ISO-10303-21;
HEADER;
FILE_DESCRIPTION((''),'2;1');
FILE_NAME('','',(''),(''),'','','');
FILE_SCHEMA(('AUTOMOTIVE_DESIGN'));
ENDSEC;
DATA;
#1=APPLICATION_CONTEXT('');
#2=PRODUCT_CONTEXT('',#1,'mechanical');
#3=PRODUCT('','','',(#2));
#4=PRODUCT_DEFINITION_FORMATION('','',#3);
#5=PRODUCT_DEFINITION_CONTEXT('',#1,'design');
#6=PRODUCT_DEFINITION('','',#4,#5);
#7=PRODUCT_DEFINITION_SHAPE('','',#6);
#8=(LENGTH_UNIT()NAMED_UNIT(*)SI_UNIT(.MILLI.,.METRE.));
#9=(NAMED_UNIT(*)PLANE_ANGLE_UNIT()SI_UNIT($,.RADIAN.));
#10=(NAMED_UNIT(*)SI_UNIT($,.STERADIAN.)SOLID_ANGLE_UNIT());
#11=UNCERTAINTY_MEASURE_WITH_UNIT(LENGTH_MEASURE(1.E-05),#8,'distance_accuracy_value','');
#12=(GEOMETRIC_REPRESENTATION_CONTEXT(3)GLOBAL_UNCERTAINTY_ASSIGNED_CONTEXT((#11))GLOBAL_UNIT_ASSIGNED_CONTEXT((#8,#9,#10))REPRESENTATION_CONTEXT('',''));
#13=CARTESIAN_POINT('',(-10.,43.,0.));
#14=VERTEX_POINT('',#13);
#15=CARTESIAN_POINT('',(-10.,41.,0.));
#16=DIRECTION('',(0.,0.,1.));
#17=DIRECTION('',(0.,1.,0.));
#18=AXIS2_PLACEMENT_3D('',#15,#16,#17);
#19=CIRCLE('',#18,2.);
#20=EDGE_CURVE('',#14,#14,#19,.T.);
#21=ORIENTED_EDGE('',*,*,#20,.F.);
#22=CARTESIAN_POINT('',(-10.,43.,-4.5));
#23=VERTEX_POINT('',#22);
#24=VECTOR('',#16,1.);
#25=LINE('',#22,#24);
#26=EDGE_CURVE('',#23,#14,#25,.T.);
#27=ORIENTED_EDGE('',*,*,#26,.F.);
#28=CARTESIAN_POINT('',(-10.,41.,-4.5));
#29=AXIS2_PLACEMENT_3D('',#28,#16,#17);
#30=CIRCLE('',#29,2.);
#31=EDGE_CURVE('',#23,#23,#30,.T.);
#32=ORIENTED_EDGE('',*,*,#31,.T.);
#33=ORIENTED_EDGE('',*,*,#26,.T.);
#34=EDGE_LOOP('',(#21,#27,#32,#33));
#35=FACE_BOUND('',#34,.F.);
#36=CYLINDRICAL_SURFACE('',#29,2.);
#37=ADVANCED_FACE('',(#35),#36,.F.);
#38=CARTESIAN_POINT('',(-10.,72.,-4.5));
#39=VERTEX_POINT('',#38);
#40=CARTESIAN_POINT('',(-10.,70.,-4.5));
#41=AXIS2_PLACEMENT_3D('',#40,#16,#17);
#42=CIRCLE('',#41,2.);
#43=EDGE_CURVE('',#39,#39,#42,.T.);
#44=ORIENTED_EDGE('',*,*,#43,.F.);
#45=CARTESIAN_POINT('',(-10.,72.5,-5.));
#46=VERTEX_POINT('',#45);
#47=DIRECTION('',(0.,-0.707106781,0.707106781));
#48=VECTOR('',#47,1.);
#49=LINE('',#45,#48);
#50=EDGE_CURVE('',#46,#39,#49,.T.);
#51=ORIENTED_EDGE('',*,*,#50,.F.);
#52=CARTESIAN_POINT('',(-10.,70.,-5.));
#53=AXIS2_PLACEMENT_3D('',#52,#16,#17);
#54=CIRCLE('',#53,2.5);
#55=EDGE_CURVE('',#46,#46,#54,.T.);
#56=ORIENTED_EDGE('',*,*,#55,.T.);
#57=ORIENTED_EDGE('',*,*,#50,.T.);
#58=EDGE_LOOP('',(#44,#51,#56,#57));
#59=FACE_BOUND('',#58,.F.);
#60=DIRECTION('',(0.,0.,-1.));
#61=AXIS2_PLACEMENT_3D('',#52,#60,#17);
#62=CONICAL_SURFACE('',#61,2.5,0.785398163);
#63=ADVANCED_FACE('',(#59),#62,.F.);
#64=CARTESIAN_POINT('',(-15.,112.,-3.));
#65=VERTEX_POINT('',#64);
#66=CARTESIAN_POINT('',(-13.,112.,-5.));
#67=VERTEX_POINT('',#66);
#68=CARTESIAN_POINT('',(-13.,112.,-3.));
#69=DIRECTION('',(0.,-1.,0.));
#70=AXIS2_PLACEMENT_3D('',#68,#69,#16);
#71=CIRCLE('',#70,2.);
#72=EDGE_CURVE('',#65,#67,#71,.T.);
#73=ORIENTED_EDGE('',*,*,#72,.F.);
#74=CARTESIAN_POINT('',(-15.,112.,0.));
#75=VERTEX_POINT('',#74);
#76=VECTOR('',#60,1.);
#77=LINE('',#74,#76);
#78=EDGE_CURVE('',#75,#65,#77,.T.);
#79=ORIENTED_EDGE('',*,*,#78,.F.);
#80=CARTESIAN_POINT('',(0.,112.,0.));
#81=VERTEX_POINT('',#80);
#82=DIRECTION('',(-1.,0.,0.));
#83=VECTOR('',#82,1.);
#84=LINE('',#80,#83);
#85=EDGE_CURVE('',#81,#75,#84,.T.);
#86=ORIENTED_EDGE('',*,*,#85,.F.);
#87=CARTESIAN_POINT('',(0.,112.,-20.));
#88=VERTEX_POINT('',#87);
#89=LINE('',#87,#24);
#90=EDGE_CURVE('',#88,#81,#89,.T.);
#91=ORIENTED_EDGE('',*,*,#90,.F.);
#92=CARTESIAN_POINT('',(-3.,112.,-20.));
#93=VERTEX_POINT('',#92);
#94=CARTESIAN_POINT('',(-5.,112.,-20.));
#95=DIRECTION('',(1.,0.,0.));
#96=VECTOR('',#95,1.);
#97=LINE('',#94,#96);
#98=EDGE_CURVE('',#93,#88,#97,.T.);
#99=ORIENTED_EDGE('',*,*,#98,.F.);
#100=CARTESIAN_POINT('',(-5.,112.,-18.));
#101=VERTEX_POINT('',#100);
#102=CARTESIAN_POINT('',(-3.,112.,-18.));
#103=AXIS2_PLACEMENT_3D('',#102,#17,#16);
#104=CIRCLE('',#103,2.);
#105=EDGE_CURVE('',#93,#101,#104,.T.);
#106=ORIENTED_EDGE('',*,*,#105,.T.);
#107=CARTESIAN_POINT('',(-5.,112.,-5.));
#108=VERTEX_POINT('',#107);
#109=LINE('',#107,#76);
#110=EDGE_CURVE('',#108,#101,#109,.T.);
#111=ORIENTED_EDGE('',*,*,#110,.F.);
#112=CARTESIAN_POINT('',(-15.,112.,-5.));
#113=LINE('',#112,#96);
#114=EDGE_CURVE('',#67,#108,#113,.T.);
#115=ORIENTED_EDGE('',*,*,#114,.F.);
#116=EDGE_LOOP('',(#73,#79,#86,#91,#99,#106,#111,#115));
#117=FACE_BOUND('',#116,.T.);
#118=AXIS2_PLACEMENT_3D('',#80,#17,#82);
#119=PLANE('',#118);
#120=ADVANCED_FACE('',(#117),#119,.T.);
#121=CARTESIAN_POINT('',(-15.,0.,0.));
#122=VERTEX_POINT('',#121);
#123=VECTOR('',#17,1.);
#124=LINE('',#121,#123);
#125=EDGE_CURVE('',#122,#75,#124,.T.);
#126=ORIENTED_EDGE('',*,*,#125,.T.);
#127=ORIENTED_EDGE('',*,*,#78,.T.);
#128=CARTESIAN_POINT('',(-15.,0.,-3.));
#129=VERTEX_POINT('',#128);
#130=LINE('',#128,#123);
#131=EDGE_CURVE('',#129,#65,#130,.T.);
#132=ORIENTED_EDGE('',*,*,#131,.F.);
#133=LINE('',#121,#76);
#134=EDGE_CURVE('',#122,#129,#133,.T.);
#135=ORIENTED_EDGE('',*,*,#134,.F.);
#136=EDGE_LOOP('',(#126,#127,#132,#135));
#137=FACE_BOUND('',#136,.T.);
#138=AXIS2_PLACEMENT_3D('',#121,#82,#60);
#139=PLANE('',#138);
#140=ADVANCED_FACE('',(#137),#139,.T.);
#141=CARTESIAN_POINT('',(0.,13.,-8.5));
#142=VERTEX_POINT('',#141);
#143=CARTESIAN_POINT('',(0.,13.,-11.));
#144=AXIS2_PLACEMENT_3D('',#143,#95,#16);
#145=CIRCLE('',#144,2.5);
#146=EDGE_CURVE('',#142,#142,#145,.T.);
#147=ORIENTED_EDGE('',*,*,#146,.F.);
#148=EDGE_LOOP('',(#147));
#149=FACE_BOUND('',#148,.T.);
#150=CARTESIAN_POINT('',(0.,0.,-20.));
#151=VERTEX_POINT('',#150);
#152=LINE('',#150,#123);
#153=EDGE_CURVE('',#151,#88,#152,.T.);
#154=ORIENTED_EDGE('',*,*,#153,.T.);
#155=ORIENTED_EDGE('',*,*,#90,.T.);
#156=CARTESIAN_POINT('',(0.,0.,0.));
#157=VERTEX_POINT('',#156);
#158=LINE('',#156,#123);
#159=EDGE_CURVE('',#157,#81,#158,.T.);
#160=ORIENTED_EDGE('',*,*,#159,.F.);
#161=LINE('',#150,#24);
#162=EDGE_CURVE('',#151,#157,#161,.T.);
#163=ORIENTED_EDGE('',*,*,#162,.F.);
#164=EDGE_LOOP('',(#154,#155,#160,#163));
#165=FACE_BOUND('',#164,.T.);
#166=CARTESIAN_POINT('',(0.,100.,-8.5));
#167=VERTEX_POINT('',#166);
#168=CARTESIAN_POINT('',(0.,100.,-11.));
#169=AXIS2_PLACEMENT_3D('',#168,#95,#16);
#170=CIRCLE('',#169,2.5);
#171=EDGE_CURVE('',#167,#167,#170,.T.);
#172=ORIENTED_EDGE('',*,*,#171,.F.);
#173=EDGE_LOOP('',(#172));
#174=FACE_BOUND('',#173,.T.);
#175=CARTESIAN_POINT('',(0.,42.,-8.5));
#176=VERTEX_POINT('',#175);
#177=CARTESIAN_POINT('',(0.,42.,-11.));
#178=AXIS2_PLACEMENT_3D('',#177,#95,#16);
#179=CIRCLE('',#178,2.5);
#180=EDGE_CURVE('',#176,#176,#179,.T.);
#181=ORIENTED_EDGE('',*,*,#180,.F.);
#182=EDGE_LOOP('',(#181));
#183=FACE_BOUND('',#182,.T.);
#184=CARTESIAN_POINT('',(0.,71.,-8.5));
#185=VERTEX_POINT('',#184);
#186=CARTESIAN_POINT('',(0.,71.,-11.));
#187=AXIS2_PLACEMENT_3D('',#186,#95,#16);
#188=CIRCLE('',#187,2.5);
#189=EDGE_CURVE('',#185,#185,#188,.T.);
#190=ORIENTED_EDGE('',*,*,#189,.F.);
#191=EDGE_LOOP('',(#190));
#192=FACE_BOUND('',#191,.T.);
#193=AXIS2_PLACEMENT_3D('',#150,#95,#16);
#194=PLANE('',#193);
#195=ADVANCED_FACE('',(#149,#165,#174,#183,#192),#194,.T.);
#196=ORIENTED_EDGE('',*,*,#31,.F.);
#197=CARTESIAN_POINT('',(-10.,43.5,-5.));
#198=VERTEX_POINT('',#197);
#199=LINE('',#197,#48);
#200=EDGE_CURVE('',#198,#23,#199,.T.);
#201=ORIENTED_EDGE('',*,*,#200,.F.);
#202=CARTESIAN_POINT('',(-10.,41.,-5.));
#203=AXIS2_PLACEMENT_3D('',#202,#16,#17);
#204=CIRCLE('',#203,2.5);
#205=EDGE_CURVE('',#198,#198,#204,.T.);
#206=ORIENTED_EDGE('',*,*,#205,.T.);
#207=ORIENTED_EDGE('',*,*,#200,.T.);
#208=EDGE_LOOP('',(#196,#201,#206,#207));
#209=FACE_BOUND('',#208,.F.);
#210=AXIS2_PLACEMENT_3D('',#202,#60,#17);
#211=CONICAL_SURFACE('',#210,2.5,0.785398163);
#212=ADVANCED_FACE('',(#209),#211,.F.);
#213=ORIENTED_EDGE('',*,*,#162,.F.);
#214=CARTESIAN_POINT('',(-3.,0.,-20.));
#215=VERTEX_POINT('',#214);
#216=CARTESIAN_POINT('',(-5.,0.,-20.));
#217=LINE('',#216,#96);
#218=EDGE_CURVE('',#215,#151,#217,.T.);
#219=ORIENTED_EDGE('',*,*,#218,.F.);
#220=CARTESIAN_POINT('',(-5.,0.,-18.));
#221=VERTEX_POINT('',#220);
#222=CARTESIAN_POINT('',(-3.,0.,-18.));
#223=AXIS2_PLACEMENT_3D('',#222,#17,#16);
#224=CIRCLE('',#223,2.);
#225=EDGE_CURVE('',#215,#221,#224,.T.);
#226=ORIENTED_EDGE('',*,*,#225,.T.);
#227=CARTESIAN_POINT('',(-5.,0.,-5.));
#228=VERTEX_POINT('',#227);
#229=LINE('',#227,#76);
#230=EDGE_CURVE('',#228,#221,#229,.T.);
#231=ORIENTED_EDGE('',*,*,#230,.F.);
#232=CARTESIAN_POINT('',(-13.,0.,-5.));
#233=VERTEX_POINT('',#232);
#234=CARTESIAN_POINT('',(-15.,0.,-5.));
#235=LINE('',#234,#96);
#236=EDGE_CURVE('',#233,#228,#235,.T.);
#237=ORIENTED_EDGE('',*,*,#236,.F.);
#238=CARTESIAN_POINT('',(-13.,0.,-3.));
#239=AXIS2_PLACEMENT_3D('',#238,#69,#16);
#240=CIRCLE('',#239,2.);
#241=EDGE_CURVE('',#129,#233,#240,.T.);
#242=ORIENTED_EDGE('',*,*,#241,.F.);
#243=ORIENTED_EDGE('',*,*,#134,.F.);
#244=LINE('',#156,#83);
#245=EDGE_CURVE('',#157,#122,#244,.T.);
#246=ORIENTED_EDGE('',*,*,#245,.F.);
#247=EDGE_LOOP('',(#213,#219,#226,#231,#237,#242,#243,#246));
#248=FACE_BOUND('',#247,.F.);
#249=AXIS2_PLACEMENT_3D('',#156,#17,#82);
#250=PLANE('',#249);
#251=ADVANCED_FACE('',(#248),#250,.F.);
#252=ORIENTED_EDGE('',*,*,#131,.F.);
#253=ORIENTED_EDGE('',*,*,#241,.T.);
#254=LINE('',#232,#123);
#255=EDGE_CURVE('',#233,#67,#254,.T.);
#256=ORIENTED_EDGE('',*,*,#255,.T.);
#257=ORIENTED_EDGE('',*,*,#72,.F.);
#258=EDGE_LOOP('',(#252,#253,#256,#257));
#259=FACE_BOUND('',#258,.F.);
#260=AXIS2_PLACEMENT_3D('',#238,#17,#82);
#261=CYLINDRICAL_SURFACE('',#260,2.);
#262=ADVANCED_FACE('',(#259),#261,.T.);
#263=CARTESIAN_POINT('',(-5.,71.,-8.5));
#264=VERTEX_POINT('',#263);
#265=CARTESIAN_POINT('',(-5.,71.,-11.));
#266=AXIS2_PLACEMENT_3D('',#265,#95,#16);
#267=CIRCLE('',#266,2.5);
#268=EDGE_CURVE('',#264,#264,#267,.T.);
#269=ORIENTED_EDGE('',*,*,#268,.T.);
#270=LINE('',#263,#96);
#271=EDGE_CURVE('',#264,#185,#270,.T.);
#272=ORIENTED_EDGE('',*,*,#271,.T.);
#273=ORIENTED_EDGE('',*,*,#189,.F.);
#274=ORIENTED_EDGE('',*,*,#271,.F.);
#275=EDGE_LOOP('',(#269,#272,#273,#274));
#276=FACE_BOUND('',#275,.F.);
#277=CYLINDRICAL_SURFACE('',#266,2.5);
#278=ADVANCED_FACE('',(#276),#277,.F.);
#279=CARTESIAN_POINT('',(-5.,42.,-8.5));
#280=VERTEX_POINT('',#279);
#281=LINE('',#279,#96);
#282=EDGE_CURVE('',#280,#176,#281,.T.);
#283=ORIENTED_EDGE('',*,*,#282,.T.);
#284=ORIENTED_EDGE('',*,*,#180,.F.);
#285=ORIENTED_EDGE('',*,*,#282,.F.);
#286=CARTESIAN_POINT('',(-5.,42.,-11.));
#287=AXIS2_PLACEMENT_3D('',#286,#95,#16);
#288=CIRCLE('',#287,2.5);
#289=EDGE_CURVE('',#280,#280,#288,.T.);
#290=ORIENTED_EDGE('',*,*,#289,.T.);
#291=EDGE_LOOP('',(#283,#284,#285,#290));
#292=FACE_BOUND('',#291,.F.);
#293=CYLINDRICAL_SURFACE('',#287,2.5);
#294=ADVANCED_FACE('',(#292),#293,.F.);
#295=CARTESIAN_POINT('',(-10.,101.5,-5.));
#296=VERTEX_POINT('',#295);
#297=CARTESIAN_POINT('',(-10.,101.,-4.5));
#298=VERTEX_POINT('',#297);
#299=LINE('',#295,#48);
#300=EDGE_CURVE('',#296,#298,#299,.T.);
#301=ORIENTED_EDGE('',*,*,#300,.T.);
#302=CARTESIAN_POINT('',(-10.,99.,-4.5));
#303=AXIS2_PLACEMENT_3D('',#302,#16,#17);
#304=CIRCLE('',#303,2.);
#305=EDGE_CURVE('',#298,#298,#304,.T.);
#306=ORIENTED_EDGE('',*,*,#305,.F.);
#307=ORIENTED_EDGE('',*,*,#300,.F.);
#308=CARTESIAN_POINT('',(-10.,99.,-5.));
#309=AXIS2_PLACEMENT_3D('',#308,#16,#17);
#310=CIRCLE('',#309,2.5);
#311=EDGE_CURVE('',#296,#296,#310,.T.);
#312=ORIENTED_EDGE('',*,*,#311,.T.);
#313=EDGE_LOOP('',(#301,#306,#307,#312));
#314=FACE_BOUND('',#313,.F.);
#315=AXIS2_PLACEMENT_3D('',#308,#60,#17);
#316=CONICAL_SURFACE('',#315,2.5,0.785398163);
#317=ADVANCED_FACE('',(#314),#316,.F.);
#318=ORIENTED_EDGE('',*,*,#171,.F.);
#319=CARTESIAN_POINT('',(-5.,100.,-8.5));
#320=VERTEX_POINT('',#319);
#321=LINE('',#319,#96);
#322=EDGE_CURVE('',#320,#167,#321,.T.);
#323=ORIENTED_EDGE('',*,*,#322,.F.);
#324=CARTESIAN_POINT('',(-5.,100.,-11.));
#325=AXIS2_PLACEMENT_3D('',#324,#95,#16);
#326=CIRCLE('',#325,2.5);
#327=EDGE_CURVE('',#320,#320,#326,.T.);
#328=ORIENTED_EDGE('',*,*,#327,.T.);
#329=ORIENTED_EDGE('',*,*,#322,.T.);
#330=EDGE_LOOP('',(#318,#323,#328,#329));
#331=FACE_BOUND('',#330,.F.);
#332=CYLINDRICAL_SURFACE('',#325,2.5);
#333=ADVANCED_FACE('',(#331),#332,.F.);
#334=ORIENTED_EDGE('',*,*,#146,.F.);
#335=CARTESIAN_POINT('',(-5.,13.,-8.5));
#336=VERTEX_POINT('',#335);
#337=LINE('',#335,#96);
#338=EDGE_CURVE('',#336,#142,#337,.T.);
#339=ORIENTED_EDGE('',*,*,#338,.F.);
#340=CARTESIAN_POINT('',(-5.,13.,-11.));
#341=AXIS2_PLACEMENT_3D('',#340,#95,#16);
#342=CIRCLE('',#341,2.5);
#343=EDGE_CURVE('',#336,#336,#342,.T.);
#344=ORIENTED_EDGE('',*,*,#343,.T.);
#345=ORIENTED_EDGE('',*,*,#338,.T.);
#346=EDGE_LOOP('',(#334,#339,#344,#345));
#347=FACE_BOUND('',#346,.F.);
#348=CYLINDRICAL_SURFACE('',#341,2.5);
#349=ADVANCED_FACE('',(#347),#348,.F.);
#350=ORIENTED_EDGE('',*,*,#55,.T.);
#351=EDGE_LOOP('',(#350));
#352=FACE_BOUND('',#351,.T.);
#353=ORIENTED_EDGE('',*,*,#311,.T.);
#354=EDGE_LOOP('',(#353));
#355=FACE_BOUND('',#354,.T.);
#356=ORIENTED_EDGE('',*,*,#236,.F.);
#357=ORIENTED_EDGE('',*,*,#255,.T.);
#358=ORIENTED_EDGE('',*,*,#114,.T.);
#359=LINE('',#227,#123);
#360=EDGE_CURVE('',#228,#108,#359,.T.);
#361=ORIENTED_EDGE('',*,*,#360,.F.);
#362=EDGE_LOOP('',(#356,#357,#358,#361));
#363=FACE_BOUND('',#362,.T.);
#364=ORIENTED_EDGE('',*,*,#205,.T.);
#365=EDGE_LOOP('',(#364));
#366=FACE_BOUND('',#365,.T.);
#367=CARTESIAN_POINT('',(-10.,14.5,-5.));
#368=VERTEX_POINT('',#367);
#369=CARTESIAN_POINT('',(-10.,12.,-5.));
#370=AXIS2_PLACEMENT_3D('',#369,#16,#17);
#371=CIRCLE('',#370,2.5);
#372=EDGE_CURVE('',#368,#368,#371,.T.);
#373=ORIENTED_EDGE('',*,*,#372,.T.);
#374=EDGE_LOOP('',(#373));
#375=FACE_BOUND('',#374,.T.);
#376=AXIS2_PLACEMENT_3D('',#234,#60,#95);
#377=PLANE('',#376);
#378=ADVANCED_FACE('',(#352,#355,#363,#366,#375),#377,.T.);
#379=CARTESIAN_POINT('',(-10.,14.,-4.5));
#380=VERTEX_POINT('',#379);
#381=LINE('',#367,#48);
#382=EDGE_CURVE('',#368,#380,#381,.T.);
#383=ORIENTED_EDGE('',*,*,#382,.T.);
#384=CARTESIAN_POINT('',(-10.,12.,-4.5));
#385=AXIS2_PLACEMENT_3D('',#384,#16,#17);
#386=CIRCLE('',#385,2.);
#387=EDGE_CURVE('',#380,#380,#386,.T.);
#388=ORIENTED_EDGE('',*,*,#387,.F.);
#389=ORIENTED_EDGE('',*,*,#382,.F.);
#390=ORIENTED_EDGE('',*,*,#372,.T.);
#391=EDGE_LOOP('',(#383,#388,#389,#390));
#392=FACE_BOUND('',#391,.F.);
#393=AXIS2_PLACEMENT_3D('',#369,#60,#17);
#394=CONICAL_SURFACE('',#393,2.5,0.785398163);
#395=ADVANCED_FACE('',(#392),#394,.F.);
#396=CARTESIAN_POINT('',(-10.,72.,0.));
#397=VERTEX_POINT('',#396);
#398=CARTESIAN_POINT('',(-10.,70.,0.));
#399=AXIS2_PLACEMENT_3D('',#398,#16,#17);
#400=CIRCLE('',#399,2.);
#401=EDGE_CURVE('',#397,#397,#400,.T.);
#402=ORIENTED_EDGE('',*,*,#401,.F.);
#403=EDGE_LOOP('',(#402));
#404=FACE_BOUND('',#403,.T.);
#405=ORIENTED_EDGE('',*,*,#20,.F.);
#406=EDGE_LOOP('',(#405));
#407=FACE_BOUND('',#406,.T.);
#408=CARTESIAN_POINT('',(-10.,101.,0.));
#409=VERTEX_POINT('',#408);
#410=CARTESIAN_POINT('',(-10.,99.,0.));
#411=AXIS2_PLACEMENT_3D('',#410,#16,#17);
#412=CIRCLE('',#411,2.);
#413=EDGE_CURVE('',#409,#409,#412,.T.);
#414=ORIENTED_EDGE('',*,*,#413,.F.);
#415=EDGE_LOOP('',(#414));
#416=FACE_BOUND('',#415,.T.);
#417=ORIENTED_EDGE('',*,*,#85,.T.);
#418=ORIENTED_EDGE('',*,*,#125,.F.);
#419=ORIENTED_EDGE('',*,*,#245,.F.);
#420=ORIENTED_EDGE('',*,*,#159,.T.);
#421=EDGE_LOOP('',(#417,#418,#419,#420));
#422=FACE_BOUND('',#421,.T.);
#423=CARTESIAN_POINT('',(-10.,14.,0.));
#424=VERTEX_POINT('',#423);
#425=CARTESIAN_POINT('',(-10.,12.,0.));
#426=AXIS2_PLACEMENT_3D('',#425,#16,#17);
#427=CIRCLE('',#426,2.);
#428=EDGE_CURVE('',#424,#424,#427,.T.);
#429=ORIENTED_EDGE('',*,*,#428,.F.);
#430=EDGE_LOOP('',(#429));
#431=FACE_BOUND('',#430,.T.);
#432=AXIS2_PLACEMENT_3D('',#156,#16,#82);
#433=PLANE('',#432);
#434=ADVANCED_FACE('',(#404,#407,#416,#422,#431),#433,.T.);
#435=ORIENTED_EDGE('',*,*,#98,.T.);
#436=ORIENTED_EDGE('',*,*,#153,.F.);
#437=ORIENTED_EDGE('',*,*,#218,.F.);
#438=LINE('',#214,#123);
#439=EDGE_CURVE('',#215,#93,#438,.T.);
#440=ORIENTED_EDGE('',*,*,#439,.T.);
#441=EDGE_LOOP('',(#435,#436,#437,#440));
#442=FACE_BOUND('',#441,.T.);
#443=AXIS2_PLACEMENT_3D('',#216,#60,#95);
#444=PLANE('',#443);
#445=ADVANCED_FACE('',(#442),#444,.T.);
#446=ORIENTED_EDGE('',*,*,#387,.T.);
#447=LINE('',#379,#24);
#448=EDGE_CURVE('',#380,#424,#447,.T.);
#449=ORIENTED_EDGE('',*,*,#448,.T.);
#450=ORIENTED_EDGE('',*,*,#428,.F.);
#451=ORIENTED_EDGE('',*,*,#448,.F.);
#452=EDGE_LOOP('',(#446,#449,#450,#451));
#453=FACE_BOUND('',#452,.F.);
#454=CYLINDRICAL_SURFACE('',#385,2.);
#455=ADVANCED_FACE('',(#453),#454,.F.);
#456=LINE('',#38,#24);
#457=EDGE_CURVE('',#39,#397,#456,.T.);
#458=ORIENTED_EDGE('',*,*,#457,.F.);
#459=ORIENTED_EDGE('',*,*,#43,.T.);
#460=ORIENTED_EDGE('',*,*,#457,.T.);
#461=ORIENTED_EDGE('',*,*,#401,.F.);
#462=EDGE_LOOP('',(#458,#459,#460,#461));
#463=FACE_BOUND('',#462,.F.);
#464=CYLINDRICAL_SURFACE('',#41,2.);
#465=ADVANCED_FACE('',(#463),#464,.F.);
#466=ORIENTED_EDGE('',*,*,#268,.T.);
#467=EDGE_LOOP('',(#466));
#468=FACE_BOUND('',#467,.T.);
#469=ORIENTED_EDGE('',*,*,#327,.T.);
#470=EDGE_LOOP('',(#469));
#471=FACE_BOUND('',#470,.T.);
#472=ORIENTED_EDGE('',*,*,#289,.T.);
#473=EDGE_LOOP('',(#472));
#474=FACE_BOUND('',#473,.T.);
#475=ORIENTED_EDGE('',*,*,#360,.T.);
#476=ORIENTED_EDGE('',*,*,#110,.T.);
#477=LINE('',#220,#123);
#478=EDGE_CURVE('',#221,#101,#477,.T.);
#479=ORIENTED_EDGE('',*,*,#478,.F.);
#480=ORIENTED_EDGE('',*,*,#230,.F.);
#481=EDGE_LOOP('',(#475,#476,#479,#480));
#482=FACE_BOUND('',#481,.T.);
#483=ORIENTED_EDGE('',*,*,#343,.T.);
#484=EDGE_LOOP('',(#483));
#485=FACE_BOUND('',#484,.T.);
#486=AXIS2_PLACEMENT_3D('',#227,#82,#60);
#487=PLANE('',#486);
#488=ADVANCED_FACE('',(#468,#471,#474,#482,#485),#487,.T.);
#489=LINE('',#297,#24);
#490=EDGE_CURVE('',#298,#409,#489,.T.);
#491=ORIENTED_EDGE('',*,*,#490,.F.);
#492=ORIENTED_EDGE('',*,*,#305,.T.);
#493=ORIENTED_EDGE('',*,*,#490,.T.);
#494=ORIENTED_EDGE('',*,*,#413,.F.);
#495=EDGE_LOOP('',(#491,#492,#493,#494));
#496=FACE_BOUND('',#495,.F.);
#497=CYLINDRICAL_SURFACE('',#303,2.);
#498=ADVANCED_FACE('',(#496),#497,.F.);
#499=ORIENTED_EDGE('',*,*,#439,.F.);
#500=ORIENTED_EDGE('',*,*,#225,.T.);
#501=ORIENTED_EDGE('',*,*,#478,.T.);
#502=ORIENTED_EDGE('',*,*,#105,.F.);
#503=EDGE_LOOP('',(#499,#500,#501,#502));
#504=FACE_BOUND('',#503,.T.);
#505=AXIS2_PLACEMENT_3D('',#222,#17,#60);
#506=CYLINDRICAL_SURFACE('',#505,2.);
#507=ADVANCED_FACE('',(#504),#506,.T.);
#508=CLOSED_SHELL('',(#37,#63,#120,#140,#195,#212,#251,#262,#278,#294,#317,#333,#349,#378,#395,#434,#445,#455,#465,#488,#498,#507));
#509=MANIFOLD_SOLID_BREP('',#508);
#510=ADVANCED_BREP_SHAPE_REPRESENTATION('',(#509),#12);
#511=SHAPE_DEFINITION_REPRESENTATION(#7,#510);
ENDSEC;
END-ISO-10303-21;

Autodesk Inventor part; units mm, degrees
ref_plane "YZ Plane" through (0, 0, 0) normal (1, 0, 0) x (0, 1, 0)
ref_plane "XZ Plane" through (0, 0, 0) normal (0, 1, 0) x (-1, 0, 0)
ref_plane "XY Plane" through (0, 0, 0) normal (0, 0, 1) x (1, 0, 0)
sketch "Skizze2" plane through (0, 0, 0) normal (0, 1, 0) x (-1, 0, 0)
  line L0 (0, 0) -> (15, 0)
  line L1 (15, 0) -> (15, -5)
  line L2 (15, -5) -> (5, -5)
  line L3 (5, -5) -> (5, -20)
  line L4 (5, -20) -> (0, -20)
  line L5 (0, -20) -> (0, 0)
  dimension "d6" = 5
  dimension "d7" = 15
  dimension "d8" = 5
  dimension "d9" = 10
extrude "Extrusion1" add sketch "Skizze2" along normal blind 112
sketch "Skizze3" plane through (-5, 0, -5) normal (0, 0, -1) x (-1, 0, 0)
  line L0 (0, 112) -> (10, 112) projected
  line L1 (-5, 0) -> (-5, 112) projected
  point P0 (5, 99)
  point P1 (5, 70)
  point P2 (5, 41)
  point P3 (5, 12)
  point P4 (5, 112)
  point P5 (5, 112)
  dimension "d12" = 13
  dimension "d13" = 29
  dimension "d14" = 29
  dimension "d15" = 29
  dimension "d39" = 10
hole "Bohrung1" at (-10, 99, -5) at (-10, 70, -5) at (-10, 41, -5) at (-10, 12, -5) direction (0, 0, 1) diameter 4 depth 5 countersink diameter 5 countersink angle 90
sketch "Skizze4" plane through (-5, 0, -20) normal (-1, 0, 0) x (0, 0, 1)
  line L0 (0, 112) -> (15, 112) projected
  line L1 (0, 0) -> (15, 0) projected
  line L2 (20, 0) -> (20, 112) projected
  point P0 (9, 100)
  point P1 (9, 71)
  point P2 (9, 42)
  point P3 (9, 13)
  point P4 (7.5, 0)
  dimension "d30" = 12
  dimension "d31" = 29
  dimension "d32" = 29
  dimension "d33" = 29
  dimension "d40" = 11
hole "Bohrung2" at (-5, 100, -11) at (-5, 71, -11) at (-5, 42, -11) at (-5, 13, -11) direction (1, 0, 0) diameter 5 end through all
fillet "Rundung1" radius 2 2 edges at (-5, 56, -20) (-15, 56, -5)
equation "\"d32\" = d31"
equation "\"d33\" = d32"
properties part number "1014"
